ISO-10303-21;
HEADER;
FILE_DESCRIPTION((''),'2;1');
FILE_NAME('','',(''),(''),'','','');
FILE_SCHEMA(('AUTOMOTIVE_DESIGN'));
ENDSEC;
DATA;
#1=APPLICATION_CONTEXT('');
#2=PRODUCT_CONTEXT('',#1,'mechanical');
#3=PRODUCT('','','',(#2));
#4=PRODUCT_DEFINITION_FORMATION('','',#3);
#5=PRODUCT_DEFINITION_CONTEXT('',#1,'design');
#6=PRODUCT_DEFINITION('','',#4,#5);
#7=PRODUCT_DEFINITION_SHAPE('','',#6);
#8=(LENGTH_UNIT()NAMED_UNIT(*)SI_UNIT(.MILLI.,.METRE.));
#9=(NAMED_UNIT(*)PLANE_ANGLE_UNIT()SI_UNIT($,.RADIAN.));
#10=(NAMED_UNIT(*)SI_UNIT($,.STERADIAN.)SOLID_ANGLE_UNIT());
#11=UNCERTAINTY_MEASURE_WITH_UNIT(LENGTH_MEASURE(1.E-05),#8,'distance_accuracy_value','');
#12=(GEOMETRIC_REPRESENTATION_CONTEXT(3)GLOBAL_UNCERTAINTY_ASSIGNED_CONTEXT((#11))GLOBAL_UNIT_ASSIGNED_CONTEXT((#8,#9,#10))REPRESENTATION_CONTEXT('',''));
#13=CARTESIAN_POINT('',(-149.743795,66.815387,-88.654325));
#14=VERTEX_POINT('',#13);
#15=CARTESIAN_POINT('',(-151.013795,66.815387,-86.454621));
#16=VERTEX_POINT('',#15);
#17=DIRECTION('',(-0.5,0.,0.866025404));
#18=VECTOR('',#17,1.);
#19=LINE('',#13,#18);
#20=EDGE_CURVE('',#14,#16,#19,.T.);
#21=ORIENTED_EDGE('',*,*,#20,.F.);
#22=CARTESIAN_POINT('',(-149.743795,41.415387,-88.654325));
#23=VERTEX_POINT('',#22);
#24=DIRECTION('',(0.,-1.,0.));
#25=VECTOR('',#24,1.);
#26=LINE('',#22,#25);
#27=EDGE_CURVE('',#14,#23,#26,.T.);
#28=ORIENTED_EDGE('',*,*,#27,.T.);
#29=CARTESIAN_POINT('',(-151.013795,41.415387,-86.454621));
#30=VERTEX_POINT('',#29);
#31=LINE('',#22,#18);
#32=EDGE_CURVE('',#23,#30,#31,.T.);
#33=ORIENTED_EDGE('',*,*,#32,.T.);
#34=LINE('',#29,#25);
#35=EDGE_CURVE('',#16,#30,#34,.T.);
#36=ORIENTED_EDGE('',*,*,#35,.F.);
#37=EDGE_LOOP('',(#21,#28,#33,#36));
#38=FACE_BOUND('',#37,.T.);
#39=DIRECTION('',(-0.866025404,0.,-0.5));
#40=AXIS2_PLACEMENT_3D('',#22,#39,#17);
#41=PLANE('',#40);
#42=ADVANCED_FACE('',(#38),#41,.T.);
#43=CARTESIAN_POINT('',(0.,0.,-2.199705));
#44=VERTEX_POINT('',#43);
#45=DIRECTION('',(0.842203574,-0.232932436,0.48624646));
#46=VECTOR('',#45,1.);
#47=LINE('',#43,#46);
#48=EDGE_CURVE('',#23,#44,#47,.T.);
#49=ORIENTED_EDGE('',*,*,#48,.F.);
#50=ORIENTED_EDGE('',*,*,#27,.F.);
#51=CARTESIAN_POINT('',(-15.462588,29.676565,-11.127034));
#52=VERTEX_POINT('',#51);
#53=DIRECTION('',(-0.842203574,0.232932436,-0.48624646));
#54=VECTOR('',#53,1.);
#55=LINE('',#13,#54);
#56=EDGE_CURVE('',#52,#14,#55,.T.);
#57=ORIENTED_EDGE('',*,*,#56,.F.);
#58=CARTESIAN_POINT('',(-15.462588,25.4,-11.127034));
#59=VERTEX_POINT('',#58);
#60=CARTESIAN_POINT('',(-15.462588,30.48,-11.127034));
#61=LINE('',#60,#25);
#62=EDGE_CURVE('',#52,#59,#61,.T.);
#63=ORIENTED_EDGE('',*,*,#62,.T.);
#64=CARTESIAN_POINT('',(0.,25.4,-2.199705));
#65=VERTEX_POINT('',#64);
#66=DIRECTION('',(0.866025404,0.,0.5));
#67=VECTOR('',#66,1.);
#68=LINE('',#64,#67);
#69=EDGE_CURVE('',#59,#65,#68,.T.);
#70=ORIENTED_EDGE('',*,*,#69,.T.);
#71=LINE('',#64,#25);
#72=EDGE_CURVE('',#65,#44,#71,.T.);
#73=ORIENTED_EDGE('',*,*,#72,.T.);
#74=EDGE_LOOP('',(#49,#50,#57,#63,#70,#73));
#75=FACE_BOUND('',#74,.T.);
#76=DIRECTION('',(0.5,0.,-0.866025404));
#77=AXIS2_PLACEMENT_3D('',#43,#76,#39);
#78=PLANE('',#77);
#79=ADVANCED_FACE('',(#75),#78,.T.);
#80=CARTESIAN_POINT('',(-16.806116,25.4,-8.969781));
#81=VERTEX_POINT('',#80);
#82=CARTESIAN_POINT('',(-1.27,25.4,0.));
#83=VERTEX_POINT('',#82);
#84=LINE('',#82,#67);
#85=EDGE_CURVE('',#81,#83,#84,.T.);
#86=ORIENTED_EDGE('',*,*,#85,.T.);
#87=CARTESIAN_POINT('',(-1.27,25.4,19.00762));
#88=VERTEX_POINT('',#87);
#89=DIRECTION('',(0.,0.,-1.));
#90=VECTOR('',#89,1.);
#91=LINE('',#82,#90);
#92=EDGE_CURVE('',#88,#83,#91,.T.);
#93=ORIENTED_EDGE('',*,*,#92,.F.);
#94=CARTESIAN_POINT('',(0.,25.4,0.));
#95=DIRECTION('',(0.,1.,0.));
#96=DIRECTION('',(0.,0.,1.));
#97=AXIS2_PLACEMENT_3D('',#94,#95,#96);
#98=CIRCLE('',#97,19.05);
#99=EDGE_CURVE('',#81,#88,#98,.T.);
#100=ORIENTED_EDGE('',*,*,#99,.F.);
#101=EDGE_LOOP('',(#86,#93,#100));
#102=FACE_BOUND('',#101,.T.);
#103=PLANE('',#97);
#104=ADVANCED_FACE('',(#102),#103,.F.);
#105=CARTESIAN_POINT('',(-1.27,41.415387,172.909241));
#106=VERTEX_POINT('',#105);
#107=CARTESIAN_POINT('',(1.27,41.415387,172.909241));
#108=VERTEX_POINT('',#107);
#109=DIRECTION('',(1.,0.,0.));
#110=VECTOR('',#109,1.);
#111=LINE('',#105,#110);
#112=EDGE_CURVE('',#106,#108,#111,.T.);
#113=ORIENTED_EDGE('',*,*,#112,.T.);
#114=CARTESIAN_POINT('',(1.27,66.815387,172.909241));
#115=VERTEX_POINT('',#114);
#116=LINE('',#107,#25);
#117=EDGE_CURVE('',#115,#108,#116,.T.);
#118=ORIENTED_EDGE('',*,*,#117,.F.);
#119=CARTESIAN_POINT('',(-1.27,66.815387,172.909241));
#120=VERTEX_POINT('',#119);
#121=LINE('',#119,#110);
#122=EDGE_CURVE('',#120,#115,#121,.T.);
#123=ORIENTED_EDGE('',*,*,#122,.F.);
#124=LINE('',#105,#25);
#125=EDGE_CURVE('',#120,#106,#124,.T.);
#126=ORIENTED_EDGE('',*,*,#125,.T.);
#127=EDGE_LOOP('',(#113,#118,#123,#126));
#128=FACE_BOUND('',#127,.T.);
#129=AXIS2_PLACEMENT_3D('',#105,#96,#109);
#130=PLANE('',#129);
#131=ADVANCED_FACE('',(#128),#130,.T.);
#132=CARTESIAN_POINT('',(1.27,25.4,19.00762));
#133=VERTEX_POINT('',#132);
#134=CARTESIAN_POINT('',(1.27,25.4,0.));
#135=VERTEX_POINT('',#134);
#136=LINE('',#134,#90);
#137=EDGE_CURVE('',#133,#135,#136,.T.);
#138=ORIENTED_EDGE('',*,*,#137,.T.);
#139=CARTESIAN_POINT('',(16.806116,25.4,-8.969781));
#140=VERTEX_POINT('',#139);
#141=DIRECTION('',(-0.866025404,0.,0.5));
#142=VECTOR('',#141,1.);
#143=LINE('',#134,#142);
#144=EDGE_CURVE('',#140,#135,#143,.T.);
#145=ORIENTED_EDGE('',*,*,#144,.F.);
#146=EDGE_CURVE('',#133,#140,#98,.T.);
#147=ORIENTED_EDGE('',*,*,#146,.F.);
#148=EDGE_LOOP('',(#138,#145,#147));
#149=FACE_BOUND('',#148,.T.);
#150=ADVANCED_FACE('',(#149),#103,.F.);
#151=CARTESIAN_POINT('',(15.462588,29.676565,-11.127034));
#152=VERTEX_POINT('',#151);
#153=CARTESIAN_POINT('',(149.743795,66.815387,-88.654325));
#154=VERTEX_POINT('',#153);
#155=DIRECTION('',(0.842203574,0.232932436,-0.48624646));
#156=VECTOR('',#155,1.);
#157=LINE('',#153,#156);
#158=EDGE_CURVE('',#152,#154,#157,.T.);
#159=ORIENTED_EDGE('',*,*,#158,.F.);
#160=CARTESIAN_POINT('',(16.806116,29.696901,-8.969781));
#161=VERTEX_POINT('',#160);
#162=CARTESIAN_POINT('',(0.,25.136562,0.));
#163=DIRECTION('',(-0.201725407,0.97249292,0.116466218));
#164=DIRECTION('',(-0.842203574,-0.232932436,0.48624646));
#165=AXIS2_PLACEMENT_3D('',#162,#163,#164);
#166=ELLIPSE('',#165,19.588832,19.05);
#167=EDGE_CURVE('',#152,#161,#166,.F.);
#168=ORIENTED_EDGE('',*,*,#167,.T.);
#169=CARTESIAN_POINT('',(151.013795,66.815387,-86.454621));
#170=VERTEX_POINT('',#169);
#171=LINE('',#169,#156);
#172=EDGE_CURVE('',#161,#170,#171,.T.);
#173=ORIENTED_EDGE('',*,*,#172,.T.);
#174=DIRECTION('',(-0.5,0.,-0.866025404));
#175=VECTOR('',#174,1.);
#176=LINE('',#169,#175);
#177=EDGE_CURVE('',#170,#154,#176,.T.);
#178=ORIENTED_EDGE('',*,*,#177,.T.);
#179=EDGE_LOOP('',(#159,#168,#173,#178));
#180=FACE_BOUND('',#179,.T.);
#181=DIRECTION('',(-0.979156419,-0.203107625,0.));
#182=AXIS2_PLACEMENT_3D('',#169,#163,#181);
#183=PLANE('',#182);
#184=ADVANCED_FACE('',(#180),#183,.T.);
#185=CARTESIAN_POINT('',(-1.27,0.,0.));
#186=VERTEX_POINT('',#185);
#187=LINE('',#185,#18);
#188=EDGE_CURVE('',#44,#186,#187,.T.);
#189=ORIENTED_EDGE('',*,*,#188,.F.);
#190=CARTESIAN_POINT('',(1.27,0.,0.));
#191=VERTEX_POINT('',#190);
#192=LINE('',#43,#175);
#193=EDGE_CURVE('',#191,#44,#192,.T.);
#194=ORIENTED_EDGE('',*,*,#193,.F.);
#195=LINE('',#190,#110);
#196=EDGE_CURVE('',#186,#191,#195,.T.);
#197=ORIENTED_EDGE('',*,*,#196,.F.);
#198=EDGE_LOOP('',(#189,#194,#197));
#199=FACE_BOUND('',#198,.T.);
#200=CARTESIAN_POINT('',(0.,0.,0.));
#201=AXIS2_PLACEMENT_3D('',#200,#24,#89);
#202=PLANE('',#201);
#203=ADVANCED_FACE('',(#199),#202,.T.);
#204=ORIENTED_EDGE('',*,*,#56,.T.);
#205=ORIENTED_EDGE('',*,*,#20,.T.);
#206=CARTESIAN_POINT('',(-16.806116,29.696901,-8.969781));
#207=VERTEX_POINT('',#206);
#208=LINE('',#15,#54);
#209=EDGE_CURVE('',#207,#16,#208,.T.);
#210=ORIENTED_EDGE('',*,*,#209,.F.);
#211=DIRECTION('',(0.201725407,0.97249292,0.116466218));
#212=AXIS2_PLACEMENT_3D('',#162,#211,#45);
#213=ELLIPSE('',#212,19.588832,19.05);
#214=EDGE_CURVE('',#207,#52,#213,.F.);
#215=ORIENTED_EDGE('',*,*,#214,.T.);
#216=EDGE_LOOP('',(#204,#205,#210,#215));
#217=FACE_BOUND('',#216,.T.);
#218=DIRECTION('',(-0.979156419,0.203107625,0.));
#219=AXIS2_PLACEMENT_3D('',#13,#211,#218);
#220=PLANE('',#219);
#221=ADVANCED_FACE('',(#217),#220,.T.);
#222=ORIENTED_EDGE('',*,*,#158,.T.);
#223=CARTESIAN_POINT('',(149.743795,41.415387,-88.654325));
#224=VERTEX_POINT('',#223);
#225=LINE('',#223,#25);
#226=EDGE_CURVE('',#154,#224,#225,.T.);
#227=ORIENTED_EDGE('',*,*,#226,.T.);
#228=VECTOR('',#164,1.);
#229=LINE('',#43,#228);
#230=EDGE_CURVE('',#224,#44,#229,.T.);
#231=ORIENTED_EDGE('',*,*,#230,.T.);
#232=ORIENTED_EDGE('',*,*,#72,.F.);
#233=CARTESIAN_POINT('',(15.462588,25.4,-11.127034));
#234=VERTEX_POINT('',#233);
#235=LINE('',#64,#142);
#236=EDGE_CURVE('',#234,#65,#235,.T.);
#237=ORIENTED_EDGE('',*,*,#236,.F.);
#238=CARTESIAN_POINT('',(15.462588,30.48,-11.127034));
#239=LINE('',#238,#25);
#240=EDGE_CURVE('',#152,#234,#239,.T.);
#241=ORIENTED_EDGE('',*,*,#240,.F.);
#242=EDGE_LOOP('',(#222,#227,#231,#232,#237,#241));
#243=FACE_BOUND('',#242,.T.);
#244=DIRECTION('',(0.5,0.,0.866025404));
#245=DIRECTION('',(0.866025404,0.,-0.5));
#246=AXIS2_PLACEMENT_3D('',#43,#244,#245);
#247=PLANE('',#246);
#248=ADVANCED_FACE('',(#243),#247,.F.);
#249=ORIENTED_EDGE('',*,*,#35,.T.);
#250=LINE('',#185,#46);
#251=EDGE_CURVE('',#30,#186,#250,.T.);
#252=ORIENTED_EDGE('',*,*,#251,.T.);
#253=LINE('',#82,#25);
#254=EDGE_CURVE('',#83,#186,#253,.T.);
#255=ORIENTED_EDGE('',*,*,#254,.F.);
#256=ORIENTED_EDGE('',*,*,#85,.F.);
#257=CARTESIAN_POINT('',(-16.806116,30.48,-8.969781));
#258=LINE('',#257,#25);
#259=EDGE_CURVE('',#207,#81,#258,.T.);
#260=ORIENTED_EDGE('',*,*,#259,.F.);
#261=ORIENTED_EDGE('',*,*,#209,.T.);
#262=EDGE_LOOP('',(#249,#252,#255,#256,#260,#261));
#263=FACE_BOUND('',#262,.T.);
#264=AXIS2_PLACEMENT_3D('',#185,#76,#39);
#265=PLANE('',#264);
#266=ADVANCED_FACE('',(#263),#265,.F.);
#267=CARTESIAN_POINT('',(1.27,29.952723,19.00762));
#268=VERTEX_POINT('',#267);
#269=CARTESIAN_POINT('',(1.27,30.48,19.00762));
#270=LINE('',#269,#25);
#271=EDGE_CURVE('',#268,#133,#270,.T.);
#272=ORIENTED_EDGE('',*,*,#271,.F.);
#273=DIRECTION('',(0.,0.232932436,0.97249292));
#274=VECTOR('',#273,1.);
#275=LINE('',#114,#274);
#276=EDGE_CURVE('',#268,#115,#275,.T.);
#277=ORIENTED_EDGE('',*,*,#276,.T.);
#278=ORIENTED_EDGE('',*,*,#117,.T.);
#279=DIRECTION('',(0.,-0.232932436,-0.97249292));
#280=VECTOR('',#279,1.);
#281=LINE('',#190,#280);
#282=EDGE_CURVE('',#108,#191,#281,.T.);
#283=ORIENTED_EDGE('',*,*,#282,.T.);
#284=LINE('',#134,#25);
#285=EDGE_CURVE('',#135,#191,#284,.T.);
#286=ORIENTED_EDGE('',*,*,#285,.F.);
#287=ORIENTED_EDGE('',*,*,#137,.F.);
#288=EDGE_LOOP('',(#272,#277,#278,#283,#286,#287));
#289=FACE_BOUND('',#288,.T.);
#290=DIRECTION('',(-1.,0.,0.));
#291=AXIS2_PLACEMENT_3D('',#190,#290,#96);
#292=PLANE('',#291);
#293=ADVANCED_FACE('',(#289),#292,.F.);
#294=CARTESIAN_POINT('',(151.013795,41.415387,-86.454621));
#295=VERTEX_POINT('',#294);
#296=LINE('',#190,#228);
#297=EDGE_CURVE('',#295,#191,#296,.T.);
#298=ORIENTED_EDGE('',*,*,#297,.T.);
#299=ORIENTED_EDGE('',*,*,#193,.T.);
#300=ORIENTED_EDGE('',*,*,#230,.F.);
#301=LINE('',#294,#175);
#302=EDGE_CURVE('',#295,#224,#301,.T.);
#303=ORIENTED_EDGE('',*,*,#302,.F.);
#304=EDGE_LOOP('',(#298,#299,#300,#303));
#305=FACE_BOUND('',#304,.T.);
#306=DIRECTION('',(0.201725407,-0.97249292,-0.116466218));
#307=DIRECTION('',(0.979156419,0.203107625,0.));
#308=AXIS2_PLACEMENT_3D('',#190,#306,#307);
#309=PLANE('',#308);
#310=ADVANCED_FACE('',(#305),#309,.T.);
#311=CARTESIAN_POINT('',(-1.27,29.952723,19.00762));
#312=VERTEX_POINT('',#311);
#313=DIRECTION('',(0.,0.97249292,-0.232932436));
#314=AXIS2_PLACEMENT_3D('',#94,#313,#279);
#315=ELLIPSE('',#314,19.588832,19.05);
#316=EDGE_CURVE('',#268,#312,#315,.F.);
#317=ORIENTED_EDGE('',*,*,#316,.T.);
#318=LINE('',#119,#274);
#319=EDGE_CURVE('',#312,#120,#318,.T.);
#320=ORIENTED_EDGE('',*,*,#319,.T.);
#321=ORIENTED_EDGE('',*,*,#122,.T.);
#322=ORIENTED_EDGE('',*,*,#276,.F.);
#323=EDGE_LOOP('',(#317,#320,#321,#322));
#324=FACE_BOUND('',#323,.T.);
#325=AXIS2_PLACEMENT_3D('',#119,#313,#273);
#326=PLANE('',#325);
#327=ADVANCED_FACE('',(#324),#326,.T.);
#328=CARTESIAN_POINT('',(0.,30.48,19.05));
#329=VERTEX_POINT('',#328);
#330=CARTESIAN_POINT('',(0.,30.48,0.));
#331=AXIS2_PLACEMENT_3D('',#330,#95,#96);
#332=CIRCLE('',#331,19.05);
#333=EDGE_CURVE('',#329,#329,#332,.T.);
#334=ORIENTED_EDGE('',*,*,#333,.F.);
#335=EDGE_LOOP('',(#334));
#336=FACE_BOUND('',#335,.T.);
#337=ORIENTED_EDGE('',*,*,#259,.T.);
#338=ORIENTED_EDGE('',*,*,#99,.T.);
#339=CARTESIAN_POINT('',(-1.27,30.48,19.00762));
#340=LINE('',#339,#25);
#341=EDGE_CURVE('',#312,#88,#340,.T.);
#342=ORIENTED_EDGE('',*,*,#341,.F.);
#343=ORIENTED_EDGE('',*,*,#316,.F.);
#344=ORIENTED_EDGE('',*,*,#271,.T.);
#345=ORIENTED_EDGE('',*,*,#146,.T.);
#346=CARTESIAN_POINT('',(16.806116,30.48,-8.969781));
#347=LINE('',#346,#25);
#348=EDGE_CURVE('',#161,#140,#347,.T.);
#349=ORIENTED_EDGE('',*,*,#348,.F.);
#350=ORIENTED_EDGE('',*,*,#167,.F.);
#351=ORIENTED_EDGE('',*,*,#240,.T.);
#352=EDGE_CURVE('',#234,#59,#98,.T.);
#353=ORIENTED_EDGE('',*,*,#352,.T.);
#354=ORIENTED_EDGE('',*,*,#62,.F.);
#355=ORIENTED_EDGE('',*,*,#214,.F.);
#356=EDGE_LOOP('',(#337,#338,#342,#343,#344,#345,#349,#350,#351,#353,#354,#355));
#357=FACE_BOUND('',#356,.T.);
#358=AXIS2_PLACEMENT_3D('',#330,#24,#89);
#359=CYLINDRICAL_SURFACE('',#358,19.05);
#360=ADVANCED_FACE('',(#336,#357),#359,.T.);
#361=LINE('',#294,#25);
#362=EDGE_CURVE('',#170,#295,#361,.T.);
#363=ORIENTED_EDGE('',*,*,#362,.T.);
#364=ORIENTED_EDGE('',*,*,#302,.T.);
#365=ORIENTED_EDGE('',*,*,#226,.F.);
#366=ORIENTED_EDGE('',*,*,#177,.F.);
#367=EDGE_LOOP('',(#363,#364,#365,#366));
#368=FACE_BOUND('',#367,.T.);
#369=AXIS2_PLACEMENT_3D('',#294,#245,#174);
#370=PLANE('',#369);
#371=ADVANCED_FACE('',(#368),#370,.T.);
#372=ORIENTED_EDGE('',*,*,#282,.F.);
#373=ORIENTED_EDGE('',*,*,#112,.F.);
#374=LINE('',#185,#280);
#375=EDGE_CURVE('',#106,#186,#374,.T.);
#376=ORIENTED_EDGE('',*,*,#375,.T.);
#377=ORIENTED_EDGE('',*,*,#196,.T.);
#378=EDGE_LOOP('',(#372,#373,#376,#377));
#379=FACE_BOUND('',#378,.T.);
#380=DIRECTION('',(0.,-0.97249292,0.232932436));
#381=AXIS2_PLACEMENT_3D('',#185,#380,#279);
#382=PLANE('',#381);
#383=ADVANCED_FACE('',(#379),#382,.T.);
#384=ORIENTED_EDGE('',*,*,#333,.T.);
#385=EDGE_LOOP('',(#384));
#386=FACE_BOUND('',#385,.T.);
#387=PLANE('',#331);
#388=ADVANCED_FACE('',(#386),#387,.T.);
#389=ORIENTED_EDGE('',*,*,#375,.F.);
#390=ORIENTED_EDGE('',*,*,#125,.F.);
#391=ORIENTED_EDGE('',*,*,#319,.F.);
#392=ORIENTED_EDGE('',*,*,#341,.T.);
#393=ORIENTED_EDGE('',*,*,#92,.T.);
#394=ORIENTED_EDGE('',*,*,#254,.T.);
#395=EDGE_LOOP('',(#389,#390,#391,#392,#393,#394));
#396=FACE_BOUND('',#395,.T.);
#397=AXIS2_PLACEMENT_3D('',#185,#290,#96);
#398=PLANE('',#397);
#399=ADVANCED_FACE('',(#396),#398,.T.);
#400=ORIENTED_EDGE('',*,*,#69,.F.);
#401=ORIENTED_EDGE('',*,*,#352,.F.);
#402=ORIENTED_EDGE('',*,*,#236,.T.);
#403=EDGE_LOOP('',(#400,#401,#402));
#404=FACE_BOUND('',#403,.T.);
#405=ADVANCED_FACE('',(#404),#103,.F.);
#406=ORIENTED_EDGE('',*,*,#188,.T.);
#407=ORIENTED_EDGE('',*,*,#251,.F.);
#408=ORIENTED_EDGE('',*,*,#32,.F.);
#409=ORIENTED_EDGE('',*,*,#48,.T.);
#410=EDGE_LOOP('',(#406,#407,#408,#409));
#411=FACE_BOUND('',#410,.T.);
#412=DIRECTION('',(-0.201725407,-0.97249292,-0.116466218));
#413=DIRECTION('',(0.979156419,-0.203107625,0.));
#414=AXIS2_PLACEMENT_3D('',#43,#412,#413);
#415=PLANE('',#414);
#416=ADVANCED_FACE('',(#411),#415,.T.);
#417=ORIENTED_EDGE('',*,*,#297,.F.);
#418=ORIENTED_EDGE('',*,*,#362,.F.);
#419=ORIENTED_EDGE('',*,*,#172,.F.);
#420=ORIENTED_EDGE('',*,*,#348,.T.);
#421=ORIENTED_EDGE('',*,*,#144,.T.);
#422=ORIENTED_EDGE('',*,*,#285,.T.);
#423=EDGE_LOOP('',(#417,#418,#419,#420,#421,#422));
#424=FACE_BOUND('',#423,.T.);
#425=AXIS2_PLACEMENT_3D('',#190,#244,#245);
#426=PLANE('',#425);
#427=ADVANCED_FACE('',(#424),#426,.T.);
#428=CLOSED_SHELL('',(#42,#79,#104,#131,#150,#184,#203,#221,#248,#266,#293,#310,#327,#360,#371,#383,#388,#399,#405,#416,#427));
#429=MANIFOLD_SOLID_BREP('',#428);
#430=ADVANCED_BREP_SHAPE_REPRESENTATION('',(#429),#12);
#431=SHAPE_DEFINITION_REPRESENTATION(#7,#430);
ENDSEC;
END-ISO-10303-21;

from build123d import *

# Parameters (mm, degrees)
BOSS_EXTRUDE1_DEPTH = 25.4
BOSS_EXTRUDE2_DEPTH = 1.27
CIRPATTERN3_COUNT   = 3
SKETCH3_R           = 19.05
BOSS_EXTRUDE3_DEPTH = 5.08


with BuildPart() as part:
    # Sketch1 → Boss-Extrude1 (new body)
    with BuildSketch(Plane(origin=(0, 0, 0), x_dir=(1, 0, 0), z_dir=(0, 1, 0))):
        Polygon((-1.27, 0), (0, 2.199704526), (1.27, 0), align=None)
    extrude(amount=BOSS_EXTRUDE1_DEPTH)

    # Sketch2 → Boss-Extrude2 (add, symmetric)
    with BuildSketch(Plane(origin=(0, 0, 0), x_dir=(0, 0, -1), z_dir=(1, 0, 0))):
        Polygon((0, 0), (-172.909241249, 41.415387125), (-172.909241249, 66.815387125), (0, 25.4), align=None)
    boss_extrude2 = extrude(amount=BOSS_EXTRUDE2_DEPTH, both=True)

    # CirPattern3: Boss-Extrude2 ×3 about axis
    cirpattern3_axis = Axis((0, 25.4, -0.733234842), (0, 1, 0))
    for i in range(1, CIRPATTERN3_COUNT):
        add(boss_extrude2.rotate(cirpattern3_axis, i * 360 / CIRPATTERN3_COUNT))

    # Sketch3 → Boss-Extrude3 (add)
    with BuildSketch(Plane(origin=(0, 25.4, 0), x_dir=(1, 0, 0), z_dir=(0, 1, 0))):
        Circle(SKETCH3_R)
    extrude(amount=BOSS_EXTRUDE3_DEPTH)


solid = part.part
